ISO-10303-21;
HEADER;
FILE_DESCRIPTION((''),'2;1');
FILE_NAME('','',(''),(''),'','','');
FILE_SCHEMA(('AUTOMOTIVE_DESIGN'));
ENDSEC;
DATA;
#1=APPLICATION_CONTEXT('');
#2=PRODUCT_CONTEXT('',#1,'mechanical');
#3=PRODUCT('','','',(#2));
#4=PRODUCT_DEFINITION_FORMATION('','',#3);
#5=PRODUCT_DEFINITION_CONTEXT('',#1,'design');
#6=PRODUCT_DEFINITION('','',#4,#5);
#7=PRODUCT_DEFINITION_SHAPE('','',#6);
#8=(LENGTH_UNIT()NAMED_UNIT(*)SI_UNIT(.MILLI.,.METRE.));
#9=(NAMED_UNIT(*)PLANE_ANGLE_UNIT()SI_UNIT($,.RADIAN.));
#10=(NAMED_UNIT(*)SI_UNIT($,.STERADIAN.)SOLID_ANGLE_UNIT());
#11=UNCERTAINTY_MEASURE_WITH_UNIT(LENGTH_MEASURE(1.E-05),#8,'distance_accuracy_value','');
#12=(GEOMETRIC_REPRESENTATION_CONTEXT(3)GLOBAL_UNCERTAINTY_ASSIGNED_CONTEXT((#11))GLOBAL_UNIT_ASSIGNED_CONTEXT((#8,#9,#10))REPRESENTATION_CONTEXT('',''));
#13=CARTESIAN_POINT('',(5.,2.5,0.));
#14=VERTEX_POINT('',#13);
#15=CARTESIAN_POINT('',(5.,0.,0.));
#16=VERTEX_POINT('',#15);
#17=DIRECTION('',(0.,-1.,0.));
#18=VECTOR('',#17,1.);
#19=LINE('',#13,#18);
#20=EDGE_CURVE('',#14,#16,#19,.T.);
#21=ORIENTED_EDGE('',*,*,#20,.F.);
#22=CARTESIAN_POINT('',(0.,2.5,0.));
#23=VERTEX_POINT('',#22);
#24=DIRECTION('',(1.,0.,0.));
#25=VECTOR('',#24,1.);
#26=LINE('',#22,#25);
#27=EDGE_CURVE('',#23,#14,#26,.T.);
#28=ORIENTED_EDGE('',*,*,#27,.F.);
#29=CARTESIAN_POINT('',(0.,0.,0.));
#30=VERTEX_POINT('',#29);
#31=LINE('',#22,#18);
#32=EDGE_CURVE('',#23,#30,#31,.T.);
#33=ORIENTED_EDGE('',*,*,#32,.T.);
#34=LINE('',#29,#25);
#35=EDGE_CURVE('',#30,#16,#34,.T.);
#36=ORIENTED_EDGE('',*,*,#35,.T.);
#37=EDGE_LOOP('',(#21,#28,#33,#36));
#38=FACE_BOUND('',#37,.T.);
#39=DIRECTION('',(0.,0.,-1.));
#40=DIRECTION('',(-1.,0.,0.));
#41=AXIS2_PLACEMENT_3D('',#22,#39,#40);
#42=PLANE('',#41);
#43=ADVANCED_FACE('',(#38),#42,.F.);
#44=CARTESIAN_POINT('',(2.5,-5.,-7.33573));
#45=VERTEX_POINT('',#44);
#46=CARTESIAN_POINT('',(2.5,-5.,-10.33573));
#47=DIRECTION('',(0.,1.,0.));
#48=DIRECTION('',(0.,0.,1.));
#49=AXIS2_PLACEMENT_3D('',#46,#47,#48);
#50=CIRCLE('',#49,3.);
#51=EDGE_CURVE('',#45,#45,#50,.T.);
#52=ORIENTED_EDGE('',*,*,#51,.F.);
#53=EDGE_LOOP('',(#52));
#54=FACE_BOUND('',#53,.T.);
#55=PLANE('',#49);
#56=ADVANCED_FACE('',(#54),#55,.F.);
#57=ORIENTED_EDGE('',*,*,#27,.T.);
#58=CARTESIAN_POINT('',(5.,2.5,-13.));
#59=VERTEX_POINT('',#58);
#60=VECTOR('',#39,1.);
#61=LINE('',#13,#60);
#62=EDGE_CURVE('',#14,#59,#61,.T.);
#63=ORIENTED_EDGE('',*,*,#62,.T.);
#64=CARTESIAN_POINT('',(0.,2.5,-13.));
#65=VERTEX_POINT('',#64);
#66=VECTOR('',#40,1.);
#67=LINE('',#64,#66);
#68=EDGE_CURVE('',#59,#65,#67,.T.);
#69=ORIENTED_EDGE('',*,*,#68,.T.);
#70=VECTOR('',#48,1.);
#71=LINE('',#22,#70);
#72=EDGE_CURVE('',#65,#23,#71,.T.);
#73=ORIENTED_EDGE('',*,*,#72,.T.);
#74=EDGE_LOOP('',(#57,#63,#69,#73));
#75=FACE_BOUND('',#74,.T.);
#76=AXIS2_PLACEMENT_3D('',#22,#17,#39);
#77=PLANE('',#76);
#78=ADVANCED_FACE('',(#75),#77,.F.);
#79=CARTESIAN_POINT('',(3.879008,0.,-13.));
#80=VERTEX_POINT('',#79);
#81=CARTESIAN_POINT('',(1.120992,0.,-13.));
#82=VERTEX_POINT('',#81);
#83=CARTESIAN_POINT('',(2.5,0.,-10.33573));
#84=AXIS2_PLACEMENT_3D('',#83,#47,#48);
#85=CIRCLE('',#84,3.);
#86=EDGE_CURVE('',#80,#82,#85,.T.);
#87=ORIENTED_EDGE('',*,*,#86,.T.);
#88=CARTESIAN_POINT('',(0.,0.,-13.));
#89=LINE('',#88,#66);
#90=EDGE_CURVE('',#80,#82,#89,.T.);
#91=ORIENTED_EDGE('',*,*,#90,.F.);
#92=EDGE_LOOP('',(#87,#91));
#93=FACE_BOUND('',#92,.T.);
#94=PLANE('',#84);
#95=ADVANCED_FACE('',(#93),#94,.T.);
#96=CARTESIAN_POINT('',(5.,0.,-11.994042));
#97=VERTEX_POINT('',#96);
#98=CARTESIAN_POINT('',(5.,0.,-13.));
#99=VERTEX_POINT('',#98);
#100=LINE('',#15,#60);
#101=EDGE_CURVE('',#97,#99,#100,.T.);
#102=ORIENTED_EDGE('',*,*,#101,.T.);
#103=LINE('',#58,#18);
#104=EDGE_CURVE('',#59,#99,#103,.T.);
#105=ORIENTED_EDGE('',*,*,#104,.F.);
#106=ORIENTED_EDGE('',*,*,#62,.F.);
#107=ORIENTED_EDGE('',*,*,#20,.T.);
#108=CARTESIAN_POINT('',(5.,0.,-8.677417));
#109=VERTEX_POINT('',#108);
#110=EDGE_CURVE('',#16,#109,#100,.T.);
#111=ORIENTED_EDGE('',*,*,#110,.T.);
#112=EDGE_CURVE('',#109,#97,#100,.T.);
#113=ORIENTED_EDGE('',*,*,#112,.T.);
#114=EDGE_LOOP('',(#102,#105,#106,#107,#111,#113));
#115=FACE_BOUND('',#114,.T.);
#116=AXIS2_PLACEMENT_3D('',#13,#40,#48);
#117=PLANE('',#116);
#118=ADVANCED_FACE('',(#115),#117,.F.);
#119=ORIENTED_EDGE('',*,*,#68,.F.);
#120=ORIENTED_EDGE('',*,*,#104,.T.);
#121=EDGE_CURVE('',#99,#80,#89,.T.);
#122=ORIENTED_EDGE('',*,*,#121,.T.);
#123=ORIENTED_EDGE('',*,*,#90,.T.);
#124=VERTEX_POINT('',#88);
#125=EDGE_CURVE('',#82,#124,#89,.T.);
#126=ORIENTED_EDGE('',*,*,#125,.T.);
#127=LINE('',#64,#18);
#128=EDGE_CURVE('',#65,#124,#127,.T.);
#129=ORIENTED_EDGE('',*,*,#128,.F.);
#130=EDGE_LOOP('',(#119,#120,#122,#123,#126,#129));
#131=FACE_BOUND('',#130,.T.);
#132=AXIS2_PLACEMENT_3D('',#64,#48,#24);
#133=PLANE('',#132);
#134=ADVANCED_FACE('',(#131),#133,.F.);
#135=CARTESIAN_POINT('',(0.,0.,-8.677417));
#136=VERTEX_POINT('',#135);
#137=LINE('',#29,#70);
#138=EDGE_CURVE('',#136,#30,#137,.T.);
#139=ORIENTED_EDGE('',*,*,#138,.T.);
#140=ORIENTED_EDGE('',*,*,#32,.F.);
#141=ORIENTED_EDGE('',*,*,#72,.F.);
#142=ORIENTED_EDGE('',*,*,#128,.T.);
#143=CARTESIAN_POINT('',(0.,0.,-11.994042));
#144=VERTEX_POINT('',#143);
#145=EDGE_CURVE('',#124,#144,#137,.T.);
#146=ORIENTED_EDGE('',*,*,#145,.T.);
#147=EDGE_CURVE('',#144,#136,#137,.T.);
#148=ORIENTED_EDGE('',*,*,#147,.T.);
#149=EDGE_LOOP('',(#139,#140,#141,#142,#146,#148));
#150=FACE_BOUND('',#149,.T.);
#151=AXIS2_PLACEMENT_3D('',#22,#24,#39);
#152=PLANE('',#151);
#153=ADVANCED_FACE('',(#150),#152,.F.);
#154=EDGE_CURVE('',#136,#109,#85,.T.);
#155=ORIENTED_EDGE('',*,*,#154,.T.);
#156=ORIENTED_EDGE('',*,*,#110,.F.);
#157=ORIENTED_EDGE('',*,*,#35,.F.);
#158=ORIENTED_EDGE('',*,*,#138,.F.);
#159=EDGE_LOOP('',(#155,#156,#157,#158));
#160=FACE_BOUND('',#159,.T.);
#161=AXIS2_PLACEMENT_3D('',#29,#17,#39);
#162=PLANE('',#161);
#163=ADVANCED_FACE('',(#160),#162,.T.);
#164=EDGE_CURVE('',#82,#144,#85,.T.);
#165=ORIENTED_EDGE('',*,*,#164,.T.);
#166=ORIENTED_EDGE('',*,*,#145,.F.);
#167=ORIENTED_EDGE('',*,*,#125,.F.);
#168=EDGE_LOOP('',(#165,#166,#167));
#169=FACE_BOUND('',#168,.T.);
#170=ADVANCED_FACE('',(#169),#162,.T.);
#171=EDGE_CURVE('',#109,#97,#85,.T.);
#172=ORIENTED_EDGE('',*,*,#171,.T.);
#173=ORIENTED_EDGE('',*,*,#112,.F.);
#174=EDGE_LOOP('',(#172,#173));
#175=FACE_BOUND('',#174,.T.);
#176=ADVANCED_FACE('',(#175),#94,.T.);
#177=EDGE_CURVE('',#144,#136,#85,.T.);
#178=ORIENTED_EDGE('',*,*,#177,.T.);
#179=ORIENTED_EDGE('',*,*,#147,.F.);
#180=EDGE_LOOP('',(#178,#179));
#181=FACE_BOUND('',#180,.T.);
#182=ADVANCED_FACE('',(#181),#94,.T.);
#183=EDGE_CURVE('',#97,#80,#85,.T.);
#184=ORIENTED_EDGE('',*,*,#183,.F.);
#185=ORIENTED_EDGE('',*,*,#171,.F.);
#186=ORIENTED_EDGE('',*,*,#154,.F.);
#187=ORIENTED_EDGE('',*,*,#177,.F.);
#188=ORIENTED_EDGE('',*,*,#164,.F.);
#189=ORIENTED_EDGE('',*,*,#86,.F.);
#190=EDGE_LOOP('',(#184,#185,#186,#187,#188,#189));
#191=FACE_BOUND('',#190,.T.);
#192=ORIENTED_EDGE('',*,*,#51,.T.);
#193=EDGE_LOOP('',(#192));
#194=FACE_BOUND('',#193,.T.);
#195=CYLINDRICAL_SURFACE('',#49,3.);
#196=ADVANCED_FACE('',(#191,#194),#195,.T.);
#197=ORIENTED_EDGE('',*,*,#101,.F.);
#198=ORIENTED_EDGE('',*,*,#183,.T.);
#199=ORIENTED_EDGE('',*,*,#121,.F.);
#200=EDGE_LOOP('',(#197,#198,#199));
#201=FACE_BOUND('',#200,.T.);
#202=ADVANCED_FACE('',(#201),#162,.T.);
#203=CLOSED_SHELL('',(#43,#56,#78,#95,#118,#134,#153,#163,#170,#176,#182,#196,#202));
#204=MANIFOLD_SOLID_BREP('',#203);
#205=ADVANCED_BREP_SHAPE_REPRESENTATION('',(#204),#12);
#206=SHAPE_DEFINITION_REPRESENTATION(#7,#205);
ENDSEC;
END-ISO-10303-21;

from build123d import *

# Parameters (mm, degrees)
SKETCH1_W           = 5
SKETCH1_H           = 13
BOSS_EXTRUDE1_DEPTH = 2.5
SKETCH2_R           = 3
BOSS_EXTRUDE2_DEPTH = 5


with BuildPart() as part:
    # Sketch1 → Boss-Extrude1 (new body)
    with BuildSketch(Plane(origin=(0, 0, 0), x_dir=(1, 0, 0), z_dir=(0, 1, 0))):
        with Locations((2.5, 6.5)):
            Rectangle(SKETCH1_W, SKETCH1_H)
    extrude(amount=BOSS_EXTRUDE1_DEPTH)

    # Sketch2 → Boss-Extrude2 (add)
    with BuildSketch(Plane(origin=(0, 0, 0), x_dir=(1, 0, 0), z_dir=(0, 1, 0))):
        with Locations(Location((2.5, 10.335729582, 0), (0, 0, 270))):
            Circle(SKETCH2_R)
    extrude(amount=-BOSS_EXTRUDE2_DEPTH)


solid = part.part
